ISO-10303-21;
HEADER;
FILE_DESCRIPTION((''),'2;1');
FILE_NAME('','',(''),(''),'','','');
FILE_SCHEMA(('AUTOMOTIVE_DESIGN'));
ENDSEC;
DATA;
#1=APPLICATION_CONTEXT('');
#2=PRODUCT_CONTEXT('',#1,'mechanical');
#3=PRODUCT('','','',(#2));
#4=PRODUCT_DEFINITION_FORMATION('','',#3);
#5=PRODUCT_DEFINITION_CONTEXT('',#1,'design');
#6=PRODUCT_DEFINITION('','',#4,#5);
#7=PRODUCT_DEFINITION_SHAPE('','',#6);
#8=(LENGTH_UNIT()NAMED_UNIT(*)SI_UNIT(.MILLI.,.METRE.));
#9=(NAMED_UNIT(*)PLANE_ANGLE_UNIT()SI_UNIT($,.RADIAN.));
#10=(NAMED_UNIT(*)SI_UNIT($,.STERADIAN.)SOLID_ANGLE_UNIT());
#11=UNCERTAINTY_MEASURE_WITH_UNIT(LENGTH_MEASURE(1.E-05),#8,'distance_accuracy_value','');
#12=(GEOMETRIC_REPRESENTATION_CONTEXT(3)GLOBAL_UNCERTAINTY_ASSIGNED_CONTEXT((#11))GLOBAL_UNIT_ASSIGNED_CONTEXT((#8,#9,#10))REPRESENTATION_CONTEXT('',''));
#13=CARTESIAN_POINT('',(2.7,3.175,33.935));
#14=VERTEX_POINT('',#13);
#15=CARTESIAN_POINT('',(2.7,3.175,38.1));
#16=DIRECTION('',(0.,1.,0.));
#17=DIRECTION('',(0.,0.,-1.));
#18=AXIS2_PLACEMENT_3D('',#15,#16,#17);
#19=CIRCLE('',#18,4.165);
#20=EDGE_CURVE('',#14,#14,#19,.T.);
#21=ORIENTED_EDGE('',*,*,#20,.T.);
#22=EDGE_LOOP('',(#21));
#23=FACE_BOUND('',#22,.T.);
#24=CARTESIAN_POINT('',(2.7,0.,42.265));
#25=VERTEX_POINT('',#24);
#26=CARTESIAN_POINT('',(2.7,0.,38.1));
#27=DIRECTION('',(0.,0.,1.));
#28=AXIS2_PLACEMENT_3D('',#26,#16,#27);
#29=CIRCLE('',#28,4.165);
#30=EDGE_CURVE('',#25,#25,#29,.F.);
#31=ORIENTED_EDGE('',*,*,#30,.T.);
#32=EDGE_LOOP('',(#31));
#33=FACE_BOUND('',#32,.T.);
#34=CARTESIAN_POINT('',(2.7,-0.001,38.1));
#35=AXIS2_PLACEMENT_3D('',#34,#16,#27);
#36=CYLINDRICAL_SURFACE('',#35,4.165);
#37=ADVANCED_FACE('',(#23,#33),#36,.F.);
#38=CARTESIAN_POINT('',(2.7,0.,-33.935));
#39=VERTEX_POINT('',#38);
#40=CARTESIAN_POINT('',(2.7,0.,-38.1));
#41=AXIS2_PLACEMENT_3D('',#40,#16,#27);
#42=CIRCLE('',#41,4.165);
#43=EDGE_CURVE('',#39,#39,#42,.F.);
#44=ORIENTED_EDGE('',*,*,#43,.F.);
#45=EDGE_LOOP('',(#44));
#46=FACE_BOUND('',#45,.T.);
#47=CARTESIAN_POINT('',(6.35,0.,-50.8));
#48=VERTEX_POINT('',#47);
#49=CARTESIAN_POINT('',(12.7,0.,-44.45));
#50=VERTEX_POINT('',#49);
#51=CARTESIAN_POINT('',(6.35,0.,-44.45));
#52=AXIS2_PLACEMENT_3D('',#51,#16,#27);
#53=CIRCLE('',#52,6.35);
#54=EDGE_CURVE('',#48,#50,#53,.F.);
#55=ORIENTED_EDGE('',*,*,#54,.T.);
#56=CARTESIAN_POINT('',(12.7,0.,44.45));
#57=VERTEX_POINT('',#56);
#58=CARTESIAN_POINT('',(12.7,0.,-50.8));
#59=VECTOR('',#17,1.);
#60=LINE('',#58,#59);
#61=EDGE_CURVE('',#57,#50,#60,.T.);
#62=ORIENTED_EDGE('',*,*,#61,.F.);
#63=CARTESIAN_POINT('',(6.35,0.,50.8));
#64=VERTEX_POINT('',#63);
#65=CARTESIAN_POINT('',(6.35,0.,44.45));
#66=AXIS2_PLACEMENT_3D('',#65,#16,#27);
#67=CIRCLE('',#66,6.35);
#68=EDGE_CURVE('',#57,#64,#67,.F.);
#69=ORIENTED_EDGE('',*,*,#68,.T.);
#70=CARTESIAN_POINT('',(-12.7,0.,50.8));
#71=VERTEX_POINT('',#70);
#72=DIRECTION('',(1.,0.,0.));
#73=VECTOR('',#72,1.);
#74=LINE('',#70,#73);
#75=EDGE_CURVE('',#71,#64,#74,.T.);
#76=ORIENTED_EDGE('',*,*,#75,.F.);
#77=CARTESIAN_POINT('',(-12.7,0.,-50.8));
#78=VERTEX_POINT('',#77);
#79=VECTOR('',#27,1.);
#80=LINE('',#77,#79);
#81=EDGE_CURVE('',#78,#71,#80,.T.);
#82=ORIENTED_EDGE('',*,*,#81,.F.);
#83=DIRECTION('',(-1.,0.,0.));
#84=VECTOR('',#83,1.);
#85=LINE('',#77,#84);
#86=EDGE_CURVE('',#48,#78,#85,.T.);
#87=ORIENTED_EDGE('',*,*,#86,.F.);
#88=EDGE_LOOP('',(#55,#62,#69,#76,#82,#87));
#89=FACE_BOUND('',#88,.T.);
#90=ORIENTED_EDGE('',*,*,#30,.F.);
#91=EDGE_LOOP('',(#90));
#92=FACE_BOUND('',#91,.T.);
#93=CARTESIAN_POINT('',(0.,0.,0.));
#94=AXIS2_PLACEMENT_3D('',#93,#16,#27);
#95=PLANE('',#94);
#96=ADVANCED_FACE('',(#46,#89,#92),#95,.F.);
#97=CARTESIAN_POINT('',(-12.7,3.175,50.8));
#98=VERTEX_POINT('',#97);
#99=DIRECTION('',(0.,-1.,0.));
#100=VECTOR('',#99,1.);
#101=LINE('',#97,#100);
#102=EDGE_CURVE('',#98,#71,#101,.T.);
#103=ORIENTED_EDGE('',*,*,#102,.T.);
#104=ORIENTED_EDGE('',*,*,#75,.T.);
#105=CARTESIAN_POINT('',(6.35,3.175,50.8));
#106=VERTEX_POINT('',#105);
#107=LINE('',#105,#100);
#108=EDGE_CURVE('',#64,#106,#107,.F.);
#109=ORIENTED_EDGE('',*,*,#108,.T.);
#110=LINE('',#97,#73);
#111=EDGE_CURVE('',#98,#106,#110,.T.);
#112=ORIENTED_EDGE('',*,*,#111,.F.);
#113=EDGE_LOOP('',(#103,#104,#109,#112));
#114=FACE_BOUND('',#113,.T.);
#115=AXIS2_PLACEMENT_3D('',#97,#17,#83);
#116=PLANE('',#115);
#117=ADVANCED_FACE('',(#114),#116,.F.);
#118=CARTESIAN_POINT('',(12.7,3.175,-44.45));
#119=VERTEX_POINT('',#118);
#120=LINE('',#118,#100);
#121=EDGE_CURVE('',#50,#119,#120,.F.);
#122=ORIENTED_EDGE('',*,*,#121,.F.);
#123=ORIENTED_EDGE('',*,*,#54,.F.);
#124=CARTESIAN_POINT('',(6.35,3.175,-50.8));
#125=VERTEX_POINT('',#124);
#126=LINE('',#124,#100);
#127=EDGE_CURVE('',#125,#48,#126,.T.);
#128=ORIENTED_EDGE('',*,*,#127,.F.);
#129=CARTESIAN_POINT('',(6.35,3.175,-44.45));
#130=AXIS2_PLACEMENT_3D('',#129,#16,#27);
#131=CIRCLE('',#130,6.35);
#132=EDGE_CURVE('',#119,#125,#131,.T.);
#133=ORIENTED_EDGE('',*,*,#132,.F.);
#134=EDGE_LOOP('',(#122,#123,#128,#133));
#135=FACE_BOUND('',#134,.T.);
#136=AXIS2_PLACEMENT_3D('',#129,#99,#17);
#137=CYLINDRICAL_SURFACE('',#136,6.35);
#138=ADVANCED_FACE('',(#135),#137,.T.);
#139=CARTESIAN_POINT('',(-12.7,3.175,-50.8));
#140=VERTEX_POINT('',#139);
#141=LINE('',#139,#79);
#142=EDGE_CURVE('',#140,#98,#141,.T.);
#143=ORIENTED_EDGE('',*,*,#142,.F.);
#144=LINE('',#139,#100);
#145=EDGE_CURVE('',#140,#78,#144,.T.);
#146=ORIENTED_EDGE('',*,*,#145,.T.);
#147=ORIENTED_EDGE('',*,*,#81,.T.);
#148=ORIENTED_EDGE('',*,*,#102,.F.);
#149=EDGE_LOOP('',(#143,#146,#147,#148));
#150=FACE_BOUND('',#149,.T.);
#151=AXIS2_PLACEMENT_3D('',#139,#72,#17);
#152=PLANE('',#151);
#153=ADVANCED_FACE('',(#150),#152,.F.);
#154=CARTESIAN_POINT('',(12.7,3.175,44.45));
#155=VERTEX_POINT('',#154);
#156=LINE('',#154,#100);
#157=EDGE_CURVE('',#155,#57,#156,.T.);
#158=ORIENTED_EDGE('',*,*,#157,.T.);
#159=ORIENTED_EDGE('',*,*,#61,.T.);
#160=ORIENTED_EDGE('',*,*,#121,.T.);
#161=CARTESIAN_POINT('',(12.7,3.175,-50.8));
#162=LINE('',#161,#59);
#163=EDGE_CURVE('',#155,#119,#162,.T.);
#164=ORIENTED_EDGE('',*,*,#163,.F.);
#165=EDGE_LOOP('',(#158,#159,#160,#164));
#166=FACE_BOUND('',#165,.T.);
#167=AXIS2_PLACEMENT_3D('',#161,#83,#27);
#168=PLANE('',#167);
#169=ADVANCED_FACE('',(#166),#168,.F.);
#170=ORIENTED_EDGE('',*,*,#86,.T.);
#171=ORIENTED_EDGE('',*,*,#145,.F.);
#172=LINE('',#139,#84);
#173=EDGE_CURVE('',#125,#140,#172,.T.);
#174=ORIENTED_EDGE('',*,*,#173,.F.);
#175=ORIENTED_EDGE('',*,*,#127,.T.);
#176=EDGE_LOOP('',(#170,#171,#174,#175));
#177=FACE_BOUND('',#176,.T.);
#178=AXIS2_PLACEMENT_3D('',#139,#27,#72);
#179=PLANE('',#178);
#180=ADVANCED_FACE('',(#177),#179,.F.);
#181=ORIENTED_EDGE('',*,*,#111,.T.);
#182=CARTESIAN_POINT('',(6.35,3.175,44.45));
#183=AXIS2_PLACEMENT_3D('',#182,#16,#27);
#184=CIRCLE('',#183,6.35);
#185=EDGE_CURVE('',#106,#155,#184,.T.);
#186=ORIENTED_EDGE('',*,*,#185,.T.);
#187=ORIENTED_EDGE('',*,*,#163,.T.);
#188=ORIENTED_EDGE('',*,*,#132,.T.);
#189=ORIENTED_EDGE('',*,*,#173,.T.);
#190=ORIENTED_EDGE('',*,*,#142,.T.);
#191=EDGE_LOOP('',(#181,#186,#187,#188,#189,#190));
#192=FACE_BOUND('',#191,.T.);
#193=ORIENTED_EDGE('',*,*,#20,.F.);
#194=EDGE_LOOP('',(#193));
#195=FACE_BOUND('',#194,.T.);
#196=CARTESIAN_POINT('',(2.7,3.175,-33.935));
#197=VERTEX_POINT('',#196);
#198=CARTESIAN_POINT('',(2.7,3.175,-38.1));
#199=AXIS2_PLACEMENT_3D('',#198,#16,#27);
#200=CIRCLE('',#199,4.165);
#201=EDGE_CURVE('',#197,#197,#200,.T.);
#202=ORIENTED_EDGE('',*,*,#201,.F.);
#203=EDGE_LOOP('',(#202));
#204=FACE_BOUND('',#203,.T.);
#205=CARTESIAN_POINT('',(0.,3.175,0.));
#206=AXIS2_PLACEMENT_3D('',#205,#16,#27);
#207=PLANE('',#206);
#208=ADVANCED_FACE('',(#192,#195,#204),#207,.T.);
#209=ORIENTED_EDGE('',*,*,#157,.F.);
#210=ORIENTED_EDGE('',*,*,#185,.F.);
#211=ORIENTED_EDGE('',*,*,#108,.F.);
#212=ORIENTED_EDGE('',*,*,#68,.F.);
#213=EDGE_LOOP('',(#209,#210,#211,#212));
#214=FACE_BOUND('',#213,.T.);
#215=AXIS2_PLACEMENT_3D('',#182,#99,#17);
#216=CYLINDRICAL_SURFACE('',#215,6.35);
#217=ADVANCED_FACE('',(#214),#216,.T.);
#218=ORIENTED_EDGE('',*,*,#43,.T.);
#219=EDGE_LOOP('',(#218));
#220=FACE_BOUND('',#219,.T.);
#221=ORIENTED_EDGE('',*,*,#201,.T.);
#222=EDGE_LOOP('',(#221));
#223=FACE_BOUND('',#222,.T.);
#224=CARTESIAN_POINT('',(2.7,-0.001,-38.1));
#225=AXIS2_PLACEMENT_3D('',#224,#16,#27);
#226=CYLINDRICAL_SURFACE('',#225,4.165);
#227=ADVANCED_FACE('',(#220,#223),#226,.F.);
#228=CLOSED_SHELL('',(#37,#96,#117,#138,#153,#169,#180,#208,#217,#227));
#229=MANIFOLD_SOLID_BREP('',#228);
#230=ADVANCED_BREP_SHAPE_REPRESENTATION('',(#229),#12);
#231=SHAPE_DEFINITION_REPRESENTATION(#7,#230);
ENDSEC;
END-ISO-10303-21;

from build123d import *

# Parameters (mm, degrees)
SKETCH1_W           = 25.4
SKETCH1_H           = 101.6
BOSS_EXTRUDE1_DEPTH = 3.175
FILLET2_R           = 6.35
CUT_EXTRUDE1_REACH  = 54.46
SKETCH2_R           = 4.165


with BuildPart() as part:
    # Sketch1 → Boss-Extrude1 (new body)
    with BuildSketch(Plane(origin=(0, 0, 0), x_dir=(1, 0, 0), z_dir=(0, 1, 0))):
        Rectangle(SKETCH1_W, SKETCH1_H)
    extrude(amount=BOSS_EXTRUDE1_DEPTH)

    # Fillet2
    fillet2_edges = [part.edges().sort_by_distance(p)[0] for p in [
        (12.7, 1.5875, 50.8),
        (12.7, 1.5875, -50.8),
    ]]
    fillet(fillet2_edges, radius=FILLET2_R)

    # Sketch2 → Cut-Extrude1 (cut, up to next)
    with BuildSketch(Plane(origin=(0, 3.175, 0), x_dir=(1, 0, 0), z_dir=(0, 1, 0)), mode=Mode.PRIVATE) as cut_extrude1_sk1:
        with Locations(Location((2.7, 38.1, 0), (0, 0, 270))):
            Circle(SKETCH2_R)
    cut_extrude1_tool1 = extrude(cut_extrude1_sk1.sketch, amount=-CUT_EXTRUDE1_REACH, mode=Mode.PRIVATE) & part.part
    # Sketch2 → Cut-Extrude1 (cut, up to next)
    with BuildSketch(Plane(origin=(0, 3.175, 0), x_dir=(1, 0, 0), z_dir=(0, 1, 0)), mode=Mode.PRIVATE) as cut_extrude1_sk2:
        with Locations(Location((2.7, -38.1, 0), (0, 0, 270))):
            Circle(SKETCH2_R)
    cut_extrude1_tool2 = extrude(cut_extrude1_sk2.sketch, amount=-CUT_EXTRUDE1_REACH, mode=Mode.PRIVATE) & part.part
    add(cut_extrude1_tool1.solids().sort_by_distance((2.7, 3.175, -38.1))[0], mode=Mode.SUBTRACT)
    add(cut_extrude1_tool2.solids().sort_by_distance((2.7, 3.175, 38.1))[0], mode=Mode.SUBTRACT)


solid = part.part
